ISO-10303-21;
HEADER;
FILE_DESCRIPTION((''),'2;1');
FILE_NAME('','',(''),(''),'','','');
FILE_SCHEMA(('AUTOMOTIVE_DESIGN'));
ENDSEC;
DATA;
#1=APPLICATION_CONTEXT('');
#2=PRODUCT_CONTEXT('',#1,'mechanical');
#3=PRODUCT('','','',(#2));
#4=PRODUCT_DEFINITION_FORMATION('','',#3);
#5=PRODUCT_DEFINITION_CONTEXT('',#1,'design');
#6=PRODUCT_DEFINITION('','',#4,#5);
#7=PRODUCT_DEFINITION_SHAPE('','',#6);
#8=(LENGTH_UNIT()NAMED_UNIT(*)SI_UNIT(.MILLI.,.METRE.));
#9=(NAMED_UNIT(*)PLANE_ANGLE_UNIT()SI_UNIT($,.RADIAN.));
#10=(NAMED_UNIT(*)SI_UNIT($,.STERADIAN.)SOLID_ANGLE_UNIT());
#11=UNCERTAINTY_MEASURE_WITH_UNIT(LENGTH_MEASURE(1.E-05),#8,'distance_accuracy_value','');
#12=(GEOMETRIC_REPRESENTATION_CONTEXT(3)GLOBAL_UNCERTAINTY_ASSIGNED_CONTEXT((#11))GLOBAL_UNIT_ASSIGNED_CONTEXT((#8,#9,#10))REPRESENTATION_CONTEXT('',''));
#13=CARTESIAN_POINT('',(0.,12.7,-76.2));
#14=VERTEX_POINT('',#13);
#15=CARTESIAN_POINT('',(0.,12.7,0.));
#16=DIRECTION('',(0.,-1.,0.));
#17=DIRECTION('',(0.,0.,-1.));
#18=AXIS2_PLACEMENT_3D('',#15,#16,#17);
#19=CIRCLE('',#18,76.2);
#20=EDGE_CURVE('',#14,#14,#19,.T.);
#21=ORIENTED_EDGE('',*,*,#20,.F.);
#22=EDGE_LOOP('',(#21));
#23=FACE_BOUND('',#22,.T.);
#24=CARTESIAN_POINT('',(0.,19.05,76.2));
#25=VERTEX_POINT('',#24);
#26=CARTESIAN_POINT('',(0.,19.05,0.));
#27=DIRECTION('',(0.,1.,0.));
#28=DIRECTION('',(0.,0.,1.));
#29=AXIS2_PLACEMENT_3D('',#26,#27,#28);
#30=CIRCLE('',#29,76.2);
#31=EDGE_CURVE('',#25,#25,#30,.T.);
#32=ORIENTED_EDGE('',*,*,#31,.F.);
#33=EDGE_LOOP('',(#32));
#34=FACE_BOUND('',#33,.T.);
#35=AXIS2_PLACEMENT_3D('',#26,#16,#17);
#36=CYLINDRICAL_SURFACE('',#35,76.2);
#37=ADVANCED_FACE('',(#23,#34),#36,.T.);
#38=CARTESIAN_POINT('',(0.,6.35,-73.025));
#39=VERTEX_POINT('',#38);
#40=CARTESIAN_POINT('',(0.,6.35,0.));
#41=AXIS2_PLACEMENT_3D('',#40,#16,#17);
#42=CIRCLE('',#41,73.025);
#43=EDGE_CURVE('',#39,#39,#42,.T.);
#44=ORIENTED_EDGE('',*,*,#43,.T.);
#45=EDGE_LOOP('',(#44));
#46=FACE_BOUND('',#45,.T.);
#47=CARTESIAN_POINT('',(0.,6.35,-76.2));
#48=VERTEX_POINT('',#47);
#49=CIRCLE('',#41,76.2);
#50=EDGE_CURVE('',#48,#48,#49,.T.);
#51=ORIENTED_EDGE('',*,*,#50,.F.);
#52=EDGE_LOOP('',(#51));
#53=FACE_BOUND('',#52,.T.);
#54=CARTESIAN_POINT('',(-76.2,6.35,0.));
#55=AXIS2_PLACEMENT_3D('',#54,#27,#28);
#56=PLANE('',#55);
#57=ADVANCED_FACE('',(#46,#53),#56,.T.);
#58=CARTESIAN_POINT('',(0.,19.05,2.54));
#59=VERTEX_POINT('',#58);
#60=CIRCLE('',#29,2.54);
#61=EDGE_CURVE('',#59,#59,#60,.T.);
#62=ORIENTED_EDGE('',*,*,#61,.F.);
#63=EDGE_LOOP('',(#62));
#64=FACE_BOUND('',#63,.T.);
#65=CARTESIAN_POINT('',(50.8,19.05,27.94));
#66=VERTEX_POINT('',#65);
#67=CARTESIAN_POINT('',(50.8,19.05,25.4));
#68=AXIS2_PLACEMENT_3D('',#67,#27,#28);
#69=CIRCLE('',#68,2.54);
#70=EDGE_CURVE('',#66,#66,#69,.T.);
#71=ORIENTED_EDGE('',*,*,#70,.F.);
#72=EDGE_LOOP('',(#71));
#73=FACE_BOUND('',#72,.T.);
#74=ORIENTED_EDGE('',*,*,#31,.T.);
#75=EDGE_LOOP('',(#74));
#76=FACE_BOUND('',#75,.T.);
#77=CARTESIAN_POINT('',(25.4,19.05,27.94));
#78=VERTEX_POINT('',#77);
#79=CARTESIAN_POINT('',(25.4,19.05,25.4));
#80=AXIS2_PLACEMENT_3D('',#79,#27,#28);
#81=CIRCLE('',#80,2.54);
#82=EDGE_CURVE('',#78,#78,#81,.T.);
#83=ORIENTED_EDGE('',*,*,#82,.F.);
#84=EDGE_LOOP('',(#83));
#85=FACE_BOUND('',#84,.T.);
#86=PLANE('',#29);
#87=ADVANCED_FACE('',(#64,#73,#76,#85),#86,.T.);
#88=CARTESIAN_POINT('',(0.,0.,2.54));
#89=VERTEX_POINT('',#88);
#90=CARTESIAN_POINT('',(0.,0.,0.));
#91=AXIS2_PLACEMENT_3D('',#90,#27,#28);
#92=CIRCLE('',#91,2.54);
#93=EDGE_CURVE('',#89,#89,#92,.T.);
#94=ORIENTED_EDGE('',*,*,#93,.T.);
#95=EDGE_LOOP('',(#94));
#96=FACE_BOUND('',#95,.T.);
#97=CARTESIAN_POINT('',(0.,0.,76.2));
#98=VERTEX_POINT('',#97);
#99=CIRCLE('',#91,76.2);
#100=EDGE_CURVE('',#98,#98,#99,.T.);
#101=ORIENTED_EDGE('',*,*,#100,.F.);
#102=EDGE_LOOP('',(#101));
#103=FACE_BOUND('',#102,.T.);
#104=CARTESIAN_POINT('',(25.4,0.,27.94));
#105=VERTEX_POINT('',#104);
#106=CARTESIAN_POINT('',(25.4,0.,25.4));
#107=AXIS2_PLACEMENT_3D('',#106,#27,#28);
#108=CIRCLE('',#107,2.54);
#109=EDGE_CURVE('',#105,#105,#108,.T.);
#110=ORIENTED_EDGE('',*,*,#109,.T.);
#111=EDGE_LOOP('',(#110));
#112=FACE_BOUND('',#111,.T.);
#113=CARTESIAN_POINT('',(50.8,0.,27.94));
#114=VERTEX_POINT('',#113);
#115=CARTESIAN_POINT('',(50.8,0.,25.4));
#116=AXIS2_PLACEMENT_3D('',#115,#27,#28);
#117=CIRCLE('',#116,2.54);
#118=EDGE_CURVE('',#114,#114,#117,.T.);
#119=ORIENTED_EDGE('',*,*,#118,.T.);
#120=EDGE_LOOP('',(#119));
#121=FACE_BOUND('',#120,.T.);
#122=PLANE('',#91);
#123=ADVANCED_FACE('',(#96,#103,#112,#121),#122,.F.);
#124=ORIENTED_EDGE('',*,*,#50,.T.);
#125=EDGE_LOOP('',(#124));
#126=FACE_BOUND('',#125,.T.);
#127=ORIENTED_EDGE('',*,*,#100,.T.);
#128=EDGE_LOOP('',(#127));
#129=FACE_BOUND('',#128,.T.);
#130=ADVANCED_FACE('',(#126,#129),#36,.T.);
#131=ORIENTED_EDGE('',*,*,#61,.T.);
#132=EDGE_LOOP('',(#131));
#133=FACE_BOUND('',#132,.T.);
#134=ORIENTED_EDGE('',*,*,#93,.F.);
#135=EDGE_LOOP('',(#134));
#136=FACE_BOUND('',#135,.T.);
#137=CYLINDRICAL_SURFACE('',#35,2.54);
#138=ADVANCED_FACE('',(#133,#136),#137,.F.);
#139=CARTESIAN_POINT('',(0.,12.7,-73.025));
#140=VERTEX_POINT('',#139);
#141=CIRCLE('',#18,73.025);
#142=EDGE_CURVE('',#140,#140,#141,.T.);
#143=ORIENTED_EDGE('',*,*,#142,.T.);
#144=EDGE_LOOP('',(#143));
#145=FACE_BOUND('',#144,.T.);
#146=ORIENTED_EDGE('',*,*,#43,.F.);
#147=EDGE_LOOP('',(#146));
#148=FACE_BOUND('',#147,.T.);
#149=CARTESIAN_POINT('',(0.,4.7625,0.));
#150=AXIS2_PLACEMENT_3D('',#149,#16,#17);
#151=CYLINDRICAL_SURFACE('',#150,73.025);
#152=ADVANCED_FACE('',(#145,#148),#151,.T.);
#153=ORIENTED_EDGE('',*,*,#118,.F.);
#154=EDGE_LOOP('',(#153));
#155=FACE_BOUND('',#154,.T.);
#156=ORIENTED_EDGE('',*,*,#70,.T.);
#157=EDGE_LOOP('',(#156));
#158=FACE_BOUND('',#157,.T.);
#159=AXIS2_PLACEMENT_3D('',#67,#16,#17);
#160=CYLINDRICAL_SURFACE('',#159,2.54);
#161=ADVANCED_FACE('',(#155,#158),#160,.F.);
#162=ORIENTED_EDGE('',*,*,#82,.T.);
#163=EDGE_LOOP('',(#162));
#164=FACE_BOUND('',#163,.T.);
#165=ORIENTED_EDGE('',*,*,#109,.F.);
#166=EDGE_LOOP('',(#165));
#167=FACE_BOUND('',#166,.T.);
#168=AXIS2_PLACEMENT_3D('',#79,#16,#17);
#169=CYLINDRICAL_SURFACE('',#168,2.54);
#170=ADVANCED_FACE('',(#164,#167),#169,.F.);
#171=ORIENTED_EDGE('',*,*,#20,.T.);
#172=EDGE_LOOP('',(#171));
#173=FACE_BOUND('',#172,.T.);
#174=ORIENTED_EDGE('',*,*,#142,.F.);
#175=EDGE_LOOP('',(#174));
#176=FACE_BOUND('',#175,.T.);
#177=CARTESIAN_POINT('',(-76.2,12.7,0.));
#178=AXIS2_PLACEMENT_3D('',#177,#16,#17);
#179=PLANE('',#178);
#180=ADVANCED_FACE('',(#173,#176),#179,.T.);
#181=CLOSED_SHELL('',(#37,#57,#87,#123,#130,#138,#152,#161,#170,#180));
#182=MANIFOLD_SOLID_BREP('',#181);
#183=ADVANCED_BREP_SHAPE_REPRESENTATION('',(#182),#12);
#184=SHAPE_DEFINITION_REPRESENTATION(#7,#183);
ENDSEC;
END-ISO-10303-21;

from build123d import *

# Parameters (mm, degrees)
SKETCH1_R           = 76.2
SKETCH1_R_2         = 2.54
BOSS_EXTRUDE1_DEPTH = 19.05
SKETCH2_W           = 3.175
SKETCH2_H           = 6.35


with BuildPart() as part:
    # Sketch1 → Boss-Extrude1 (new body)
    with BuildSketch(Plane(origin=(0, 0, 0), x_dir=(1, 0, 0), z_dir=(0, 1, 0))):
        Circle(SKETCH1_R)
        Circle(SKETCH1_R_2, mode=Mode.SUBTRACT)
        with Locations((25.4, -25.4)):
            Circle(SKETCH1_R_2, mode=Mode.SUBTRACT)
        with Locations((50.8, -25.4)):
            Circle(SKETCH1_R_2, mode=Mode.SUBTRACT)
    extrude(amount=BOSS_EXTRUDE1_DEPTH)

    # Sketch2 → Cut-Revolve1 (revolve, cut)
    with BuildSketch(Plane.XY):
        with Locations((-74.6125, 9.525)):
            Rectangle(SKETCH2_W, SKETCH2_H)
    revolve(axis=Axis((0, 4.7625, 0), (0, 1, 0)), mode=Mode.SUBTRACT)


solid = part.part
